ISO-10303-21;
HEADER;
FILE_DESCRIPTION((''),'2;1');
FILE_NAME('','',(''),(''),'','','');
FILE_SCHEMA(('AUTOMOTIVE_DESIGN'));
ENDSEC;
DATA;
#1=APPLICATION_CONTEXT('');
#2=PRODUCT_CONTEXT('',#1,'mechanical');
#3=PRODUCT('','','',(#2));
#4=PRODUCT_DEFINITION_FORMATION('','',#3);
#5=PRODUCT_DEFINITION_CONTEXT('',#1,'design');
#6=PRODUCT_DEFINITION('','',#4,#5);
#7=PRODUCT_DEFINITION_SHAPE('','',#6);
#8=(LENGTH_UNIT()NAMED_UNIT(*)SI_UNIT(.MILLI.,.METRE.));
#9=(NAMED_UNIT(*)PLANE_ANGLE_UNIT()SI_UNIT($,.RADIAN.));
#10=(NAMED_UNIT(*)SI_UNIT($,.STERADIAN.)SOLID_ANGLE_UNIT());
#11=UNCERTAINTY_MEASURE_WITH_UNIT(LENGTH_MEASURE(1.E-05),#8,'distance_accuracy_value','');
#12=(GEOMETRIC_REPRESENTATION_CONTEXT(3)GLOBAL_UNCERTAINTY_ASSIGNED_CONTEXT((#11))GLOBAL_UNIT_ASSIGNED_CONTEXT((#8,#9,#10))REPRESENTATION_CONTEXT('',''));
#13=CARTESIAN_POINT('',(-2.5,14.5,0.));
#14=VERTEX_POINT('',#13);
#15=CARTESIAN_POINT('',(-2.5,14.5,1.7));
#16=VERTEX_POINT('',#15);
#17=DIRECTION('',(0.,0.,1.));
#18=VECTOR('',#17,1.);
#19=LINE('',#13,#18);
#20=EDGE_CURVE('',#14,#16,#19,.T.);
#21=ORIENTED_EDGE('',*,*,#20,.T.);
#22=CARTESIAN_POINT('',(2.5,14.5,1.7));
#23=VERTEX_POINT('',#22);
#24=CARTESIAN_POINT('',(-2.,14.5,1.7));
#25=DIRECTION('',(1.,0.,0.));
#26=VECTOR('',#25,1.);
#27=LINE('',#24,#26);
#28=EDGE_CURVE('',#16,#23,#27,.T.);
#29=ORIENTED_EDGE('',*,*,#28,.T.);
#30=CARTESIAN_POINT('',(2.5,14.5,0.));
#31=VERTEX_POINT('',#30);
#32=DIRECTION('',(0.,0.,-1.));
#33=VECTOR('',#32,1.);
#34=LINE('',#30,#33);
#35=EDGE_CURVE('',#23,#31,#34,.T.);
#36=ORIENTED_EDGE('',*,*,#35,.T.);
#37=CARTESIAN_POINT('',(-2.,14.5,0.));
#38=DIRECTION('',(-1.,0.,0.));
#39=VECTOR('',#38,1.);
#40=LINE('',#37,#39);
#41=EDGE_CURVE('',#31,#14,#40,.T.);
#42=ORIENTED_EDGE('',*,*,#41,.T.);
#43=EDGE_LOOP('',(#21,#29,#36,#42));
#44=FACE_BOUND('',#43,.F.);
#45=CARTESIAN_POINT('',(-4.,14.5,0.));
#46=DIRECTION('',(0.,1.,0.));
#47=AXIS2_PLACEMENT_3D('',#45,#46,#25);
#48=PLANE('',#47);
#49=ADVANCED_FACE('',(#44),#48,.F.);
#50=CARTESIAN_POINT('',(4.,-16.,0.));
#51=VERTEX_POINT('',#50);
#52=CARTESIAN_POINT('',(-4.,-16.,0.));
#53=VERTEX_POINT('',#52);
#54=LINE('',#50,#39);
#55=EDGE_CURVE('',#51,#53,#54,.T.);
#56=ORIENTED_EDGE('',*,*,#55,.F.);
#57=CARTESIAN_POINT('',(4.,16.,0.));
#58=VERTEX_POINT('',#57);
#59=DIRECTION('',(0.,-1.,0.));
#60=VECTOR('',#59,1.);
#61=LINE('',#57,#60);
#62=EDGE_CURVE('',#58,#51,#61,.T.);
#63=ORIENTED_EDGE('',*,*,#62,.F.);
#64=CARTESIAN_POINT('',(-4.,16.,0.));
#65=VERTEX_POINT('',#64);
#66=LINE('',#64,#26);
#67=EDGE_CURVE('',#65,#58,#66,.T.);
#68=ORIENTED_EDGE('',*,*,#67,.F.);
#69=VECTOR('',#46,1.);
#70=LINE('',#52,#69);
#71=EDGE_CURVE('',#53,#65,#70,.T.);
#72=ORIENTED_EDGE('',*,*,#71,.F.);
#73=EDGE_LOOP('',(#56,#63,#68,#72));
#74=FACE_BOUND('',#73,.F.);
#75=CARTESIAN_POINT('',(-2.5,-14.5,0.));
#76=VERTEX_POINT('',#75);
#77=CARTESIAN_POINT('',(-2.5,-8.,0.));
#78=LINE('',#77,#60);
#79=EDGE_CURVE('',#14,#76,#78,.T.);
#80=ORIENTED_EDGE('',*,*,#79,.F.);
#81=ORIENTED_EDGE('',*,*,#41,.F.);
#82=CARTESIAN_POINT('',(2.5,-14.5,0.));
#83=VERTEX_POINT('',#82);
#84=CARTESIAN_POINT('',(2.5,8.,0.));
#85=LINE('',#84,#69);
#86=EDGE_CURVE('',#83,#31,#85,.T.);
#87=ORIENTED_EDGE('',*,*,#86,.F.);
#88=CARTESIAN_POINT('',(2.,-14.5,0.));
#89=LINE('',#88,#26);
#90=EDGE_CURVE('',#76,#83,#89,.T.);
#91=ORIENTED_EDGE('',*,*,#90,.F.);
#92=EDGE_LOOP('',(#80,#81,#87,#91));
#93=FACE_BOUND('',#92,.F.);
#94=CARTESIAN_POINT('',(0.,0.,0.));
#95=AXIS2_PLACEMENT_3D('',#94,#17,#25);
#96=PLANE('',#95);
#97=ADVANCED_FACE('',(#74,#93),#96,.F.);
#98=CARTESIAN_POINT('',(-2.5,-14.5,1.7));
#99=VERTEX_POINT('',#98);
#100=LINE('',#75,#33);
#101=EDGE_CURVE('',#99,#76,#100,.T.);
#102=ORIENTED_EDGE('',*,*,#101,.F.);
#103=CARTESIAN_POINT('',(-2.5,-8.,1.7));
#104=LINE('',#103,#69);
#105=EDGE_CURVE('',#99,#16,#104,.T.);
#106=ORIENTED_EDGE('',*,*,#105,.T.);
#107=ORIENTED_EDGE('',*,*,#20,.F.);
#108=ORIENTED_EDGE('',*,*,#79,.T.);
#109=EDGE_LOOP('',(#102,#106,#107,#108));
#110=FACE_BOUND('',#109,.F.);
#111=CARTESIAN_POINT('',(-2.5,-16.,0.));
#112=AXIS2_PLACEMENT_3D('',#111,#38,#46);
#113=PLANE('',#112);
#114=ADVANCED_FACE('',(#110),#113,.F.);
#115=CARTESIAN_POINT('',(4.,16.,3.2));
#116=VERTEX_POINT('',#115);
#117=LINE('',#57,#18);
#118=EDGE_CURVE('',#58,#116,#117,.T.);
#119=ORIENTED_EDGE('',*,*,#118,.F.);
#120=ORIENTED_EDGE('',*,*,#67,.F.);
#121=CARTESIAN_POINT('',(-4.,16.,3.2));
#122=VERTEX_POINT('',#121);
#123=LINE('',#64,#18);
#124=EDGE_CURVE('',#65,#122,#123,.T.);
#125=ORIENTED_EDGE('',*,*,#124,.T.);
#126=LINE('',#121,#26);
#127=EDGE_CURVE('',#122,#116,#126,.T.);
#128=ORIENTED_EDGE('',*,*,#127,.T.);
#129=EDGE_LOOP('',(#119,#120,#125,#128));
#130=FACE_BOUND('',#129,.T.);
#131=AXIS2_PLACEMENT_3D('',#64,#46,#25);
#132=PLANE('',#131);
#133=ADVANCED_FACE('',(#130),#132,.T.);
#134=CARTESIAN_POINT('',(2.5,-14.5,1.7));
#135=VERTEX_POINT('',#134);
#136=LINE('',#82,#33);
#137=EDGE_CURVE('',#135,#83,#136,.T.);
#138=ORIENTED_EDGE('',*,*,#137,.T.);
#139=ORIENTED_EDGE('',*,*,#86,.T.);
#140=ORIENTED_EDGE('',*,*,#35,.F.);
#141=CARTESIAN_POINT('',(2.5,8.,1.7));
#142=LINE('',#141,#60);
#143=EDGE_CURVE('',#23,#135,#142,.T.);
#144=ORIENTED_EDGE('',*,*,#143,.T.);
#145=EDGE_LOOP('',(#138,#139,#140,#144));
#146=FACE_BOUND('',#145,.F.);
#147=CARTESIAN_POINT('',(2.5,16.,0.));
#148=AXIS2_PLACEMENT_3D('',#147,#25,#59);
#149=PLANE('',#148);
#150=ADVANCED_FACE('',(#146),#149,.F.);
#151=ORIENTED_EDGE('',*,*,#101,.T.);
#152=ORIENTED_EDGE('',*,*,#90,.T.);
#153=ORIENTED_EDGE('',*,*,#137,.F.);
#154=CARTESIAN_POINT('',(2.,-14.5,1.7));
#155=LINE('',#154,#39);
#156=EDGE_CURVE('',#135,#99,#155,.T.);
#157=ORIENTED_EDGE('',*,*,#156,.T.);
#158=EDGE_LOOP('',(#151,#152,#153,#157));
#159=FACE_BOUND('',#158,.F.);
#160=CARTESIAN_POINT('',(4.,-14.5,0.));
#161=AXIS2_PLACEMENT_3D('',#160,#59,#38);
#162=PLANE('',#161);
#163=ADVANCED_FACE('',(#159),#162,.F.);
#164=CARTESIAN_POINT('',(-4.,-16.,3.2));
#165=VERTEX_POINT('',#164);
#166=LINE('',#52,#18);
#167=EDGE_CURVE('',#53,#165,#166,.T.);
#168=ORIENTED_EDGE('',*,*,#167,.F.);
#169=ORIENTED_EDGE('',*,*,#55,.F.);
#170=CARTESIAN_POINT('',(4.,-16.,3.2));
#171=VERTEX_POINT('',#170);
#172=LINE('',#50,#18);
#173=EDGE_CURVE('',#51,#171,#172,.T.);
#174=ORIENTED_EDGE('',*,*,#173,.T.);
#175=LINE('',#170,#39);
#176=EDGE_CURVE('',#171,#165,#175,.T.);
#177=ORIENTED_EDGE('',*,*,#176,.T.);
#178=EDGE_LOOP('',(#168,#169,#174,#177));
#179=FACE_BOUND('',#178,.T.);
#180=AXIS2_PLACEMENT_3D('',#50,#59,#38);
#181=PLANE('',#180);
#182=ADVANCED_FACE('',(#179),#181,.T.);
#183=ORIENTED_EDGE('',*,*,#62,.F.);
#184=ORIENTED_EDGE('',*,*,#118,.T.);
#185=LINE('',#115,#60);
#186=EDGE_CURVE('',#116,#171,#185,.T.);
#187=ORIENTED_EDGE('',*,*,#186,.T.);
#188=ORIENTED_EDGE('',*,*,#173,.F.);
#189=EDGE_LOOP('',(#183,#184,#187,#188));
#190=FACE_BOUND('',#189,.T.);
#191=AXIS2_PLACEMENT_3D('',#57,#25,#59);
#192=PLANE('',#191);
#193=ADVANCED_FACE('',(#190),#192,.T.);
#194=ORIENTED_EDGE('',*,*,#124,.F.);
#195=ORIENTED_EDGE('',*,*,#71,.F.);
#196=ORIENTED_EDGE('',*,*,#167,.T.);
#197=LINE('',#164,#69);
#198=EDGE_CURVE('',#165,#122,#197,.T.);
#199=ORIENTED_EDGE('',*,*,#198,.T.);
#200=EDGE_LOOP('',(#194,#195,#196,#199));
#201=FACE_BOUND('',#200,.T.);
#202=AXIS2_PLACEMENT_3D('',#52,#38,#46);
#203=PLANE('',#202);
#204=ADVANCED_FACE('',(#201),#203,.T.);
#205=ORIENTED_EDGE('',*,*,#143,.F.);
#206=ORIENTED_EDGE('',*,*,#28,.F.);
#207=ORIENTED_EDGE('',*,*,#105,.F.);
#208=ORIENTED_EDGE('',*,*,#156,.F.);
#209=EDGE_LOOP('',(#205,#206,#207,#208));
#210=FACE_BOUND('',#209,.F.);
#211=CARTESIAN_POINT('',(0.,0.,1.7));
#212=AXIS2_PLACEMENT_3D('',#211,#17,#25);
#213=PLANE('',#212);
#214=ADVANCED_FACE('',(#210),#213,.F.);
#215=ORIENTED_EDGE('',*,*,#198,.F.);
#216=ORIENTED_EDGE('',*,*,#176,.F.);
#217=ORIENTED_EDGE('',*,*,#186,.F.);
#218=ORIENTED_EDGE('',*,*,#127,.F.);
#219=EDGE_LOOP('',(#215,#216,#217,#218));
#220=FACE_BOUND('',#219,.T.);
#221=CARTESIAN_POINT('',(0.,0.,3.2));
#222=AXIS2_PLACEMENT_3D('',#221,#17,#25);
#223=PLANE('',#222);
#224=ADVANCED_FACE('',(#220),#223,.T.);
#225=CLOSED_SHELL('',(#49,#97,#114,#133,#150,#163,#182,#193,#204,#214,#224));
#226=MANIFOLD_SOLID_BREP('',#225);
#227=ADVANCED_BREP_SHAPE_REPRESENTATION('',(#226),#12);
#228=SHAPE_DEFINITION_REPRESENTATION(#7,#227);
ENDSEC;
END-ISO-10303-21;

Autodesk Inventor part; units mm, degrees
ref_plane "YZ Plane" through (0, 0, 0) normal (1, 0, 0) x (0, 1, 0)
ref_plane "XZ Plane" through (0, 0, 0) normal (0, 1, 0) x (-1, 0, 0)
ref_plane "XY Plane" through (0, 0, 0) normal (0, 0, 1) x (1, 0, 0)
sketch "Sketch1" plane through (0, 0, 0) normal (0, 0, 1) x (1, 0, 0)
  line L0 (-4, 16) -> (4, 16)
  line L1 (4, 16) -> (4, -16)
  line L2 (4, -16) -> (-4, -16)
  line L3 (-4, -16) -> (-4, 16)
  point P0 (0, 0)
  dimension "d0" = 8
  dimension "d1" = 32
  dimension "d2" = 4
  dimension "d3" = 16
extrude "Extrusion1" add sketch "Sketch1" along normal blind 3.2
shell "Shell1" thickness 1.5 removed faces 1 at (1.3333, 5.3333, 0)
sketch "Sketch2" plane through (0, 0, 3.2) normal (0, 0, 1) x (1, 0, 0)
  circle A0 centre (0, -12) radius 2.5
  line L0 (4, 16) -> (4, -16) projected
  line L1 (4, -16) -> (-4, -16) projected
  dimension "d7" = 5
  dimension "d10" = 4
  dimension "d11" = 4
extrude "Extrusion2" [suppressed]
sketch "Sketch3" plane through (2.5, -14.5, 1.7) normal (0, 0, -1) x (-1, 0, 0)
  circle A0 centre (2.5, 2.5) radius 1.2
  point P0 (2.5, 14.5)
  dimension "d18" = 2.4
extrude "Extrusion3" [suppressed]
pattern_linear "Rectangular Pattern1" [suppressed]
sketch "Sketch4" plane through (2.5, -14.5, 1.7) normal (0, 0, -1) x (-1, 0, 0)
  line L0 (0, 29) -> (0, 0) projected
  line L1 (0, 0) -> (5, 0) projected
  circle A0 centre (6.5, 6.5) radius 3.15
  circle A1 centre (6.5, 6.5) radius 2.5
  point P0 (2.5, 14.5)
  dimension "d21" = 6.5
  dimension "d22" = 6.5
  dimension "d25" = 5
  dimension "d26" = 6.3
extrude "Extrusion4" [suppressed]
pattern_linear "Rectangular Pattern2" [suppressed]
equation "\"d0\" = 8 * WIDTH"
equation "\"d1\" = 8 * LENGTH"
equation "\"d2\" = 0.5 * d0"
equation "\"d3\" = 0.5 * d1"
equation "\"d4\" = HEIGHT"
equation "\"d21\" = 0.5 * d23 + 0.5 * d24"
equation "\"d22\" = d21"
equation "\"WIDTH\" = 1"
equation "\"HEIGHT\" = 3.2"
equation "\"LENGTH\" = 4"
equation "\"d23\" = 10.5"
equation "\"d24\" = 2.5"
properties part number "2431" material "Steel"
